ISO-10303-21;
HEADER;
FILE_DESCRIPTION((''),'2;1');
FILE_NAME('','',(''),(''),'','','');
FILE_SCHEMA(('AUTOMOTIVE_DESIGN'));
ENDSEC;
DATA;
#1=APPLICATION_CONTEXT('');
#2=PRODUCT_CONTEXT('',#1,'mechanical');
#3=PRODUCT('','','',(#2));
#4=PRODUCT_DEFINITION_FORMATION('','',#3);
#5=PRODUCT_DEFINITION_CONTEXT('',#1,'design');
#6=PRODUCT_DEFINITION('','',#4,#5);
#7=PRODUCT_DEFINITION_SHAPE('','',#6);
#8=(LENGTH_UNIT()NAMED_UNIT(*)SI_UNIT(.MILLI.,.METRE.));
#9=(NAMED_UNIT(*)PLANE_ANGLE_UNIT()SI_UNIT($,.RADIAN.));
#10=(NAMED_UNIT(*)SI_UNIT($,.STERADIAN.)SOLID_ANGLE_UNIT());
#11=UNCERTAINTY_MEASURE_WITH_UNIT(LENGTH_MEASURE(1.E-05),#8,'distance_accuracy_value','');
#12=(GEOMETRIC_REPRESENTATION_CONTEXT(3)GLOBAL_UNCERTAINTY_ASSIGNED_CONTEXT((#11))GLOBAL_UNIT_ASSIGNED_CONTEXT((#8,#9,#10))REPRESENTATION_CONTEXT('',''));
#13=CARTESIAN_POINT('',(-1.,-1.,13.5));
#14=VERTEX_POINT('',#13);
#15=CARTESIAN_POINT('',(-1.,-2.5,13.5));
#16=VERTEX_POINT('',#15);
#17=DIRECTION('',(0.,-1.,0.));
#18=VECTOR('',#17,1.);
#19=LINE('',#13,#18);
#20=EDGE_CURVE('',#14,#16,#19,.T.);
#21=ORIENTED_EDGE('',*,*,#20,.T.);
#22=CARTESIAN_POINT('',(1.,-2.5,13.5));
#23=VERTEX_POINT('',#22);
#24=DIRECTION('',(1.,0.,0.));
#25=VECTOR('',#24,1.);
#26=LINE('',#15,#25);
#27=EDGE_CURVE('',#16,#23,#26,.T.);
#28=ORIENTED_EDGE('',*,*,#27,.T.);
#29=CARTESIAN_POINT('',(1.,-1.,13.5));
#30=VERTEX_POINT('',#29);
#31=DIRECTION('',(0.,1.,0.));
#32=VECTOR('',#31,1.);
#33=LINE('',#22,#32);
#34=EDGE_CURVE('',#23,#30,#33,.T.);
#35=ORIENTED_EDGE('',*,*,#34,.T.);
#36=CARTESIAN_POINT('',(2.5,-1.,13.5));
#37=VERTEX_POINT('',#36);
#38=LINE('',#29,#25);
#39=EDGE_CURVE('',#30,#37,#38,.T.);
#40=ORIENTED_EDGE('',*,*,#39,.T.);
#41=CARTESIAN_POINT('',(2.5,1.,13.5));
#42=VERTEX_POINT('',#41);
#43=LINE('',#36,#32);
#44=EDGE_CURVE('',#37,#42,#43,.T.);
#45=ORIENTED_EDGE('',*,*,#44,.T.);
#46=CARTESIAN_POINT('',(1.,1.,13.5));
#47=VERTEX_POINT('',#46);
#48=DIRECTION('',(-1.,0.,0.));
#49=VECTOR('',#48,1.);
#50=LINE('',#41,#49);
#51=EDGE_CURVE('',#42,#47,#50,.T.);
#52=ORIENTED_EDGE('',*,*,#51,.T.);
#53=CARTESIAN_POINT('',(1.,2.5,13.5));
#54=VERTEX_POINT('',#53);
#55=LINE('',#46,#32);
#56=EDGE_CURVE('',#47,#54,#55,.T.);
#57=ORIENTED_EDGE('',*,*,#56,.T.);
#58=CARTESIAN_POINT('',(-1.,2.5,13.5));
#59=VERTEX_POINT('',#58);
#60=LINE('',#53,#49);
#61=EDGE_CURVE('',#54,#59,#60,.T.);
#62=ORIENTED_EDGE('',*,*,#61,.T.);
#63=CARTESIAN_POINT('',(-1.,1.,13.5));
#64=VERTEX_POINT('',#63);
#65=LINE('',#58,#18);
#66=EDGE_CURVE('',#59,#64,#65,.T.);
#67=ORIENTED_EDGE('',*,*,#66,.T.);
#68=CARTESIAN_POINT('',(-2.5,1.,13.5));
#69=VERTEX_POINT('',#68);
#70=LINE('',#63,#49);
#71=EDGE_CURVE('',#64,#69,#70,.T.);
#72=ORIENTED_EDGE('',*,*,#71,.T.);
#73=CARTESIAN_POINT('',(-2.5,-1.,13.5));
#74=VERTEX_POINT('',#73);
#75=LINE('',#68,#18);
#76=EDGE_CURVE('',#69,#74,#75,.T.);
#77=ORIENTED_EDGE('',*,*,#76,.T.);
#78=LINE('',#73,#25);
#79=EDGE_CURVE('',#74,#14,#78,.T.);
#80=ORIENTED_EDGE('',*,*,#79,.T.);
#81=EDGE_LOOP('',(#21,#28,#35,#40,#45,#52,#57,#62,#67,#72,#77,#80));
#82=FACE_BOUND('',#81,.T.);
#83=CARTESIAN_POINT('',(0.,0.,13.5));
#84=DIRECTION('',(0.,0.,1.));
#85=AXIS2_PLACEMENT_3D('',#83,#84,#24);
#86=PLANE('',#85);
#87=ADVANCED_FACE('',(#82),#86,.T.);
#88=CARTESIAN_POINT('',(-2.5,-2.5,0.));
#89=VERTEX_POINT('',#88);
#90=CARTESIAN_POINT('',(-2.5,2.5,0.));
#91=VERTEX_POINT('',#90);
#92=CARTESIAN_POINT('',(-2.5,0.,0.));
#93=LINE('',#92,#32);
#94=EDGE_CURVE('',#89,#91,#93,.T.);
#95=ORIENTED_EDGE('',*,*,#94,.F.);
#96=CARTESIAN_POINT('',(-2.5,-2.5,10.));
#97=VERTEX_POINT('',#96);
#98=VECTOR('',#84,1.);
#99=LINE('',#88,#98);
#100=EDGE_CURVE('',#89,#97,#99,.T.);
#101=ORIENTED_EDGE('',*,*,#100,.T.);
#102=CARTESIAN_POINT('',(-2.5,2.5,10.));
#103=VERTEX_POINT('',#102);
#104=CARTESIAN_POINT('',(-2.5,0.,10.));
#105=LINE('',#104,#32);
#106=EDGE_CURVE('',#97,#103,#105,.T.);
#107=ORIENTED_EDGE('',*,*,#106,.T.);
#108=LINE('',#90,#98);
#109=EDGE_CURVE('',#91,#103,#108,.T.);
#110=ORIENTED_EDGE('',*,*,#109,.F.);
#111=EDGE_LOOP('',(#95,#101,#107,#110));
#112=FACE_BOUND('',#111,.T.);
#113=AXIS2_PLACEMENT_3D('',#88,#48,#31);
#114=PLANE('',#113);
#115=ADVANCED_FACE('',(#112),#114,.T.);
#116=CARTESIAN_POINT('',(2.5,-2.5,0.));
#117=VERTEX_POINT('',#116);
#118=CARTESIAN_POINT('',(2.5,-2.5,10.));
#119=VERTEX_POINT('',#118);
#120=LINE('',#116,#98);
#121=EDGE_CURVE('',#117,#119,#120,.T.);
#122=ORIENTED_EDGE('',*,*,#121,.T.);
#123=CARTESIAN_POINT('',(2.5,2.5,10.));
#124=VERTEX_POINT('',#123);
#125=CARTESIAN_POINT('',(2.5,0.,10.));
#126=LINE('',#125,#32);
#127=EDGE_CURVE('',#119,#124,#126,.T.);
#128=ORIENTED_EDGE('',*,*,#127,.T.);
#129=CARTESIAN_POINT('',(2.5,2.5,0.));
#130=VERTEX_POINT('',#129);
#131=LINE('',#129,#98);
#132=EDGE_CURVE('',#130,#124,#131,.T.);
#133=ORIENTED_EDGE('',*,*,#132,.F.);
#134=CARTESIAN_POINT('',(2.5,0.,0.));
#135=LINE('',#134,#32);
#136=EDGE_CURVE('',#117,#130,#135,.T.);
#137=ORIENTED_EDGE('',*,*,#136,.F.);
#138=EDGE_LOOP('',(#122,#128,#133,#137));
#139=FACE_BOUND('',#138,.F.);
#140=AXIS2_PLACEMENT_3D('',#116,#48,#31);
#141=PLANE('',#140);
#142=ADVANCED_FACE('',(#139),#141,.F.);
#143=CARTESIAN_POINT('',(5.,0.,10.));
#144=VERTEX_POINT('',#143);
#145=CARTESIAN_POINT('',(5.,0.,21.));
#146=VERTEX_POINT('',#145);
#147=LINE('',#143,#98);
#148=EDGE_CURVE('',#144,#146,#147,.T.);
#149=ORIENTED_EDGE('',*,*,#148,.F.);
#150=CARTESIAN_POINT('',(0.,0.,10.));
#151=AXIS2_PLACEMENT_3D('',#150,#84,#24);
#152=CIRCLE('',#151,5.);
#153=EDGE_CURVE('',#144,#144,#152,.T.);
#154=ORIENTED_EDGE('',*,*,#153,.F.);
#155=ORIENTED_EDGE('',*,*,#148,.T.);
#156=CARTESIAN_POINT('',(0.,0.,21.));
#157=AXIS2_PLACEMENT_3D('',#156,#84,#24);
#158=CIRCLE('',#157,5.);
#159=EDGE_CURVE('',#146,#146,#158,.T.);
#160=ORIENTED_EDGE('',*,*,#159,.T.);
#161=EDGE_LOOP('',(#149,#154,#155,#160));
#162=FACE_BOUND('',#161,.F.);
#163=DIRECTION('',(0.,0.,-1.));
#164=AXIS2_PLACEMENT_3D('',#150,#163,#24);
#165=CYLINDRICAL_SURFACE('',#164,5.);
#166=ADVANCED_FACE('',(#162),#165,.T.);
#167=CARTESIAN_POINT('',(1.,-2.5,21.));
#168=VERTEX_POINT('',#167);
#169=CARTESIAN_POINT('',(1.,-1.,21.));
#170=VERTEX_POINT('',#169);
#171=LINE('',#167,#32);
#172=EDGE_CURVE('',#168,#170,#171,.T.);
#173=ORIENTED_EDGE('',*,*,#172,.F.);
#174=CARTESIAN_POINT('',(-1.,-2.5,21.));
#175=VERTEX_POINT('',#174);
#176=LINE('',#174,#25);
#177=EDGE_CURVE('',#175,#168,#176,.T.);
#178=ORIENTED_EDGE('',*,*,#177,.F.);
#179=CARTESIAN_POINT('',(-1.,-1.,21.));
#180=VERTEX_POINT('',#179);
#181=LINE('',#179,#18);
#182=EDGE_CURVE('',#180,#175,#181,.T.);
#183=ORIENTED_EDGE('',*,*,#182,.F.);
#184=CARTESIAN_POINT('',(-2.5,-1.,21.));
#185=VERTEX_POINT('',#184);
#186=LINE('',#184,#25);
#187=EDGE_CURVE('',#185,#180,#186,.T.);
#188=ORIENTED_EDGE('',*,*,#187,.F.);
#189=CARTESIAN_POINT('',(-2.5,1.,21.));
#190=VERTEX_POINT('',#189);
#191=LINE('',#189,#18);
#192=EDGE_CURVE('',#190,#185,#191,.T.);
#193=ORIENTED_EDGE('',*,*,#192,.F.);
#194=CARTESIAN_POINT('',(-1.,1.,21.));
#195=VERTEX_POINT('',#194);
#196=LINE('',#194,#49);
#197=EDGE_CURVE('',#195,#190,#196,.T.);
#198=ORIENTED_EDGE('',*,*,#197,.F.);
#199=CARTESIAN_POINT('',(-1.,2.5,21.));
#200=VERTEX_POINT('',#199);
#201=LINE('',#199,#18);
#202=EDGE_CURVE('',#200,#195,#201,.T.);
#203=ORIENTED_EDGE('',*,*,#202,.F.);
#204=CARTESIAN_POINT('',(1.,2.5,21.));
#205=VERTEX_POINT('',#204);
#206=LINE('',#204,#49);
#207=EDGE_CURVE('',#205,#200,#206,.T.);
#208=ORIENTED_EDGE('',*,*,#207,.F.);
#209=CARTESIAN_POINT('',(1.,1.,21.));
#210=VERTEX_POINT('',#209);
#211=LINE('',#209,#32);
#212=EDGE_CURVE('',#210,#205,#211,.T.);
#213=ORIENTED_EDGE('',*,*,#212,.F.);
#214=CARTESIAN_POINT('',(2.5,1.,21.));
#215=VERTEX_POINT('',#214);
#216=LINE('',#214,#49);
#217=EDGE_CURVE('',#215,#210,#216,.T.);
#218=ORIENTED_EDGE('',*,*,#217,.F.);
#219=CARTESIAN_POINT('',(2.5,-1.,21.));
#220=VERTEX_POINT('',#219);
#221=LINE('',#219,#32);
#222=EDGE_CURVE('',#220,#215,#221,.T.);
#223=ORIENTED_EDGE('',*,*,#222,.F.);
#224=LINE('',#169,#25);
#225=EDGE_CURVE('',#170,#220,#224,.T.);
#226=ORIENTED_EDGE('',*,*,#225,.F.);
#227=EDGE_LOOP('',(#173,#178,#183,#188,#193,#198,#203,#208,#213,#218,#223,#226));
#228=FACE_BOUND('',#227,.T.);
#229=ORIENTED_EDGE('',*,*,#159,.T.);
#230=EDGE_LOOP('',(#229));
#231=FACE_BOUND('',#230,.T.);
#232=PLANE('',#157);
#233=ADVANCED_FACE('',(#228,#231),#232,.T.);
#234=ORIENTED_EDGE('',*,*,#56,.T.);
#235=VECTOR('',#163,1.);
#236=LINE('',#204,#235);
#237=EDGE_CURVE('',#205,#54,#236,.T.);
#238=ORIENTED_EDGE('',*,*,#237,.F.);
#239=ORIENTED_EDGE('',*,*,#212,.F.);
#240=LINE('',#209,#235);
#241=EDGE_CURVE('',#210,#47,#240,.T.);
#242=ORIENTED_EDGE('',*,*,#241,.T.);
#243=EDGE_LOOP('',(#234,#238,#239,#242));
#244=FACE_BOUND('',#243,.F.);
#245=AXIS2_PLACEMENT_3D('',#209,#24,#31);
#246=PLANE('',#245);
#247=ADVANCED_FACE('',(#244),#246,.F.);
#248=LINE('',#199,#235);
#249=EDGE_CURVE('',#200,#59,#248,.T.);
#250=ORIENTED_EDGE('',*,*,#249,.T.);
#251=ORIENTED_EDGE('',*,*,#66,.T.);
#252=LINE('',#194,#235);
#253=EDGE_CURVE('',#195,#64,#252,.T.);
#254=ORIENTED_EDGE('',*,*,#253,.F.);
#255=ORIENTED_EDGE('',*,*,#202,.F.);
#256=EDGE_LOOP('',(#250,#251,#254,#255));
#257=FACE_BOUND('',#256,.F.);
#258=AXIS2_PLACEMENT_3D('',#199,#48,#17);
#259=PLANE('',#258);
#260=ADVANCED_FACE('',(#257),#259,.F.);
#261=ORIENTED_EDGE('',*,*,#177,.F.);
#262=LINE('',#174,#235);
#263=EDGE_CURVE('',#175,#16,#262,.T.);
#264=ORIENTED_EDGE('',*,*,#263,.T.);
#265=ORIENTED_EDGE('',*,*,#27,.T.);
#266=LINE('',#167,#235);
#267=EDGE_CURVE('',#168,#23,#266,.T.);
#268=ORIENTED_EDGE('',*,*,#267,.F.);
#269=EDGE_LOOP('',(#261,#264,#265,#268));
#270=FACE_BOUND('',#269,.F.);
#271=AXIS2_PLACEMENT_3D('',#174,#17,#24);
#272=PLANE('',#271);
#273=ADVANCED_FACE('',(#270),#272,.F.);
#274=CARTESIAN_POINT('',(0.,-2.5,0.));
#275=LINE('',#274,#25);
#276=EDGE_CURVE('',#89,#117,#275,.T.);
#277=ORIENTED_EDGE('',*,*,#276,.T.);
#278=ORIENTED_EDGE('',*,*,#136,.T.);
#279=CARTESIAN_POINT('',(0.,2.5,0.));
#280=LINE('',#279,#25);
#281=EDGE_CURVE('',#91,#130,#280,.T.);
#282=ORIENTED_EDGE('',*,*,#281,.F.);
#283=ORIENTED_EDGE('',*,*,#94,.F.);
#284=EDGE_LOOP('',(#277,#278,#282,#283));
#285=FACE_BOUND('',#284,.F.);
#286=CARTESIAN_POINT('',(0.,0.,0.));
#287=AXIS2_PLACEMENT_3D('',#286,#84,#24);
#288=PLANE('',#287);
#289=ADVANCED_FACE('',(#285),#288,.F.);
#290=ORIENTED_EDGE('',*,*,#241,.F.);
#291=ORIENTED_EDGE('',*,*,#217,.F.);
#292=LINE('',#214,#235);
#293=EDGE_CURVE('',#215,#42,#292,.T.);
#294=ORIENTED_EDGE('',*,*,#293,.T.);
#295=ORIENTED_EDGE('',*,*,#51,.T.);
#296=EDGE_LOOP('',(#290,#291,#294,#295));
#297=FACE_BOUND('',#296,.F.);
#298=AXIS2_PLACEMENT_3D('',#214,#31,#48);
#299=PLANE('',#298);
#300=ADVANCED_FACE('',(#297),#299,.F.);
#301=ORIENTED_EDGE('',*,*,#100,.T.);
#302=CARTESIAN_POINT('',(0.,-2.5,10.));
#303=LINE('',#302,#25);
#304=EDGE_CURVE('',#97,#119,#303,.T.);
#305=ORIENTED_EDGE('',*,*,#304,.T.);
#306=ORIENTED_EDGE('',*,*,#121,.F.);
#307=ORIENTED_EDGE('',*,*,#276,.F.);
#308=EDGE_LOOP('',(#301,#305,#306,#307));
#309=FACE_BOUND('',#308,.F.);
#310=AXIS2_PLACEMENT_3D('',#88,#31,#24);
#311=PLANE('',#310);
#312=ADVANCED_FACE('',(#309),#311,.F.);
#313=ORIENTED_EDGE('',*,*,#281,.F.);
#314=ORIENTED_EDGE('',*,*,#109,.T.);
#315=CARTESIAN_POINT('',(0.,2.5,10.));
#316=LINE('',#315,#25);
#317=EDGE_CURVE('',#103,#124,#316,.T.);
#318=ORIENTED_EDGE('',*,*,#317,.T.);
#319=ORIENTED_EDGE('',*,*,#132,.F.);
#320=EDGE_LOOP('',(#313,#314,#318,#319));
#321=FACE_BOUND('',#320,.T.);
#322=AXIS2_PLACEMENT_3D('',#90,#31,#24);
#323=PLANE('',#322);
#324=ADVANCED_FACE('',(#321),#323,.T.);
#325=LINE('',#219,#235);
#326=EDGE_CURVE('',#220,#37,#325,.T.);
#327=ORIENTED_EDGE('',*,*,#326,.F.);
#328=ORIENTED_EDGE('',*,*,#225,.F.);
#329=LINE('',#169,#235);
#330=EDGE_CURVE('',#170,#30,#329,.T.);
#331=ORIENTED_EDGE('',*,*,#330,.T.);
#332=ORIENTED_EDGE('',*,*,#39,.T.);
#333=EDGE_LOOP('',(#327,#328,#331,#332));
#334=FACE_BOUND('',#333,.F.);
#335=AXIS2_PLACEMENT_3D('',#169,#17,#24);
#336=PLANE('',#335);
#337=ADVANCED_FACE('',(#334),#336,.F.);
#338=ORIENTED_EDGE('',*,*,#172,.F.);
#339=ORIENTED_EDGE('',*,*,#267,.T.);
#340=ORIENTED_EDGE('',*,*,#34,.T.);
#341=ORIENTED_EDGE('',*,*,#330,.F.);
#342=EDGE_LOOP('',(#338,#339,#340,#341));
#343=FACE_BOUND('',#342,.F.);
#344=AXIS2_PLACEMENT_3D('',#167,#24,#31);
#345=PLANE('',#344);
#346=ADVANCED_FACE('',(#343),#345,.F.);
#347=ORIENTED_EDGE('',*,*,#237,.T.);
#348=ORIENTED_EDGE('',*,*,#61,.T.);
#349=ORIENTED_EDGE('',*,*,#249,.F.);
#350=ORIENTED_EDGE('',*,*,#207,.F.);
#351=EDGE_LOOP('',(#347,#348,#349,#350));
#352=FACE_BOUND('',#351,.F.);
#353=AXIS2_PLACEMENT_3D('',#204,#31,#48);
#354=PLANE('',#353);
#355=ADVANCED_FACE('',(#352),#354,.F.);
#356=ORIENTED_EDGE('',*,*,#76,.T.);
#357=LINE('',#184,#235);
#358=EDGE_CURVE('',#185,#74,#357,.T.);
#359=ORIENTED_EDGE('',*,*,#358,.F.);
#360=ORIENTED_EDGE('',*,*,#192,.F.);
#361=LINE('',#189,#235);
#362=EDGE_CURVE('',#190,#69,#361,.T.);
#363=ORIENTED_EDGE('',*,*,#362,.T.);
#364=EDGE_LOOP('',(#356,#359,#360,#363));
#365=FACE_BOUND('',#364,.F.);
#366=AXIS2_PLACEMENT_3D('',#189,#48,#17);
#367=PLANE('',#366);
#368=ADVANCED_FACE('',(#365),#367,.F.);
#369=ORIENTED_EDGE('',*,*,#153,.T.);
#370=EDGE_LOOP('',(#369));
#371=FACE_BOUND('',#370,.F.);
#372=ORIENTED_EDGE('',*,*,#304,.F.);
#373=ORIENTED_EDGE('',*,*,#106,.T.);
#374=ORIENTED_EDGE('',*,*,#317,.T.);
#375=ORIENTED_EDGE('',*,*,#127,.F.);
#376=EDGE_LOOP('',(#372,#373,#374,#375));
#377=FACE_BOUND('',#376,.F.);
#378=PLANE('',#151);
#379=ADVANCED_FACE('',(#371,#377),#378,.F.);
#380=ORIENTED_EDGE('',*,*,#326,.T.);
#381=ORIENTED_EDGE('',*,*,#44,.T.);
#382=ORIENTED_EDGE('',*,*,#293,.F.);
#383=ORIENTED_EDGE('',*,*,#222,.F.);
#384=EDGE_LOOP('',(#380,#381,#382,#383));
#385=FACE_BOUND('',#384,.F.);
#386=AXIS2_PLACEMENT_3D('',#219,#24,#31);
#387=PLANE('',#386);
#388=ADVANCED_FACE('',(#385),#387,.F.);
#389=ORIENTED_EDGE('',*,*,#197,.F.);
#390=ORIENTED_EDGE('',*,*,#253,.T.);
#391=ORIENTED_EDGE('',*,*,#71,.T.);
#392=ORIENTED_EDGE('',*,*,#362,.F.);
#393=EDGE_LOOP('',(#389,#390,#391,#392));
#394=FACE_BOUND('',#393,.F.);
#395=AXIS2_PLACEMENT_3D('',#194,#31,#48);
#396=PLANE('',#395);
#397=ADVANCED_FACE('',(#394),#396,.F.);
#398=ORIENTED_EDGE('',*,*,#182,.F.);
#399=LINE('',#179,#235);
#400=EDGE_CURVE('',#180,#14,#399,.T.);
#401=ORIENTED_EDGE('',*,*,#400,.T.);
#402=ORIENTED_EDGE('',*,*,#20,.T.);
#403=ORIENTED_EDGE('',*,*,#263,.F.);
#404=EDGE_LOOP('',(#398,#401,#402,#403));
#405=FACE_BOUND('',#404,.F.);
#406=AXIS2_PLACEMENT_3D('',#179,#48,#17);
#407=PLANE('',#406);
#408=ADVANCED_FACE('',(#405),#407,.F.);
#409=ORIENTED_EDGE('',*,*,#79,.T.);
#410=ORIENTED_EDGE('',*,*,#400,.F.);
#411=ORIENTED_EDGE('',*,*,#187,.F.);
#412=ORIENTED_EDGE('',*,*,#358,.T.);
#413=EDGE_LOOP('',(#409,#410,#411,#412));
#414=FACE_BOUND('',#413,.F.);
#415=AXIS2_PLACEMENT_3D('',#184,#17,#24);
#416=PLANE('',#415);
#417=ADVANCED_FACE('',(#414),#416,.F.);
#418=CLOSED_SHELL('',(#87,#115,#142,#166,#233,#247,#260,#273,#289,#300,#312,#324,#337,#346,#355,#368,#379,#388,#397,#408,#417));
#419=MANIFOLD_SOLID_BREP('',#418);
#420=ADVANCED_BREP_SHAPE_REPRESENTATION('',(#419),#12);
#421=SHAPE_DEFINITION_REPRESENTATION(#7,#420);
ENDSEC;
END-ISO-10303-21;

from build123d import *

# Parameters (mm, degrees)
F0_W     = 5
F0_H     = 5
F1_DEPTH = 10
F2_R     = 5
F2_W     = 5
F2_H     = 5
F3_DEPTH = 11
F5_DEPTH = 7.5


with BuildPart() as f1:
    # F0 (on Top) → F1 (new body)
    with BuildSketch(Plane.XY):
        Rectangle(F0_W, F0_H)
    extrude(amount=F1_DEPTH)

    # F2 (on face) → F3 (join)
    with BuildSketch(Plane.XY.offset(10)):
        Circle(F2_R)
        Rectangle(F2_W, F2_H, mode=Mode.SUBTRACT)
        Rectangle(F2_W, F2_H)
    extrude(amount=F3_DEPTH)

    # F4 (on face) → F5 (cut)
    with BuildSketch(Plane.XY.offset(21)):
        Polygon((1, 2.5), (-1, 2.5), (-1, 1), (-2.5, 1), (-2.5, -1), (-1, -1), (-1, -2.5), (1, -2.5), (1, -1), (2.5, -1), (2.5, 1), (1, 1), align=None)
    extrude(amount=-F5_DEPTH, mode=Mode.SUBTRACT)


solid = f1.part
